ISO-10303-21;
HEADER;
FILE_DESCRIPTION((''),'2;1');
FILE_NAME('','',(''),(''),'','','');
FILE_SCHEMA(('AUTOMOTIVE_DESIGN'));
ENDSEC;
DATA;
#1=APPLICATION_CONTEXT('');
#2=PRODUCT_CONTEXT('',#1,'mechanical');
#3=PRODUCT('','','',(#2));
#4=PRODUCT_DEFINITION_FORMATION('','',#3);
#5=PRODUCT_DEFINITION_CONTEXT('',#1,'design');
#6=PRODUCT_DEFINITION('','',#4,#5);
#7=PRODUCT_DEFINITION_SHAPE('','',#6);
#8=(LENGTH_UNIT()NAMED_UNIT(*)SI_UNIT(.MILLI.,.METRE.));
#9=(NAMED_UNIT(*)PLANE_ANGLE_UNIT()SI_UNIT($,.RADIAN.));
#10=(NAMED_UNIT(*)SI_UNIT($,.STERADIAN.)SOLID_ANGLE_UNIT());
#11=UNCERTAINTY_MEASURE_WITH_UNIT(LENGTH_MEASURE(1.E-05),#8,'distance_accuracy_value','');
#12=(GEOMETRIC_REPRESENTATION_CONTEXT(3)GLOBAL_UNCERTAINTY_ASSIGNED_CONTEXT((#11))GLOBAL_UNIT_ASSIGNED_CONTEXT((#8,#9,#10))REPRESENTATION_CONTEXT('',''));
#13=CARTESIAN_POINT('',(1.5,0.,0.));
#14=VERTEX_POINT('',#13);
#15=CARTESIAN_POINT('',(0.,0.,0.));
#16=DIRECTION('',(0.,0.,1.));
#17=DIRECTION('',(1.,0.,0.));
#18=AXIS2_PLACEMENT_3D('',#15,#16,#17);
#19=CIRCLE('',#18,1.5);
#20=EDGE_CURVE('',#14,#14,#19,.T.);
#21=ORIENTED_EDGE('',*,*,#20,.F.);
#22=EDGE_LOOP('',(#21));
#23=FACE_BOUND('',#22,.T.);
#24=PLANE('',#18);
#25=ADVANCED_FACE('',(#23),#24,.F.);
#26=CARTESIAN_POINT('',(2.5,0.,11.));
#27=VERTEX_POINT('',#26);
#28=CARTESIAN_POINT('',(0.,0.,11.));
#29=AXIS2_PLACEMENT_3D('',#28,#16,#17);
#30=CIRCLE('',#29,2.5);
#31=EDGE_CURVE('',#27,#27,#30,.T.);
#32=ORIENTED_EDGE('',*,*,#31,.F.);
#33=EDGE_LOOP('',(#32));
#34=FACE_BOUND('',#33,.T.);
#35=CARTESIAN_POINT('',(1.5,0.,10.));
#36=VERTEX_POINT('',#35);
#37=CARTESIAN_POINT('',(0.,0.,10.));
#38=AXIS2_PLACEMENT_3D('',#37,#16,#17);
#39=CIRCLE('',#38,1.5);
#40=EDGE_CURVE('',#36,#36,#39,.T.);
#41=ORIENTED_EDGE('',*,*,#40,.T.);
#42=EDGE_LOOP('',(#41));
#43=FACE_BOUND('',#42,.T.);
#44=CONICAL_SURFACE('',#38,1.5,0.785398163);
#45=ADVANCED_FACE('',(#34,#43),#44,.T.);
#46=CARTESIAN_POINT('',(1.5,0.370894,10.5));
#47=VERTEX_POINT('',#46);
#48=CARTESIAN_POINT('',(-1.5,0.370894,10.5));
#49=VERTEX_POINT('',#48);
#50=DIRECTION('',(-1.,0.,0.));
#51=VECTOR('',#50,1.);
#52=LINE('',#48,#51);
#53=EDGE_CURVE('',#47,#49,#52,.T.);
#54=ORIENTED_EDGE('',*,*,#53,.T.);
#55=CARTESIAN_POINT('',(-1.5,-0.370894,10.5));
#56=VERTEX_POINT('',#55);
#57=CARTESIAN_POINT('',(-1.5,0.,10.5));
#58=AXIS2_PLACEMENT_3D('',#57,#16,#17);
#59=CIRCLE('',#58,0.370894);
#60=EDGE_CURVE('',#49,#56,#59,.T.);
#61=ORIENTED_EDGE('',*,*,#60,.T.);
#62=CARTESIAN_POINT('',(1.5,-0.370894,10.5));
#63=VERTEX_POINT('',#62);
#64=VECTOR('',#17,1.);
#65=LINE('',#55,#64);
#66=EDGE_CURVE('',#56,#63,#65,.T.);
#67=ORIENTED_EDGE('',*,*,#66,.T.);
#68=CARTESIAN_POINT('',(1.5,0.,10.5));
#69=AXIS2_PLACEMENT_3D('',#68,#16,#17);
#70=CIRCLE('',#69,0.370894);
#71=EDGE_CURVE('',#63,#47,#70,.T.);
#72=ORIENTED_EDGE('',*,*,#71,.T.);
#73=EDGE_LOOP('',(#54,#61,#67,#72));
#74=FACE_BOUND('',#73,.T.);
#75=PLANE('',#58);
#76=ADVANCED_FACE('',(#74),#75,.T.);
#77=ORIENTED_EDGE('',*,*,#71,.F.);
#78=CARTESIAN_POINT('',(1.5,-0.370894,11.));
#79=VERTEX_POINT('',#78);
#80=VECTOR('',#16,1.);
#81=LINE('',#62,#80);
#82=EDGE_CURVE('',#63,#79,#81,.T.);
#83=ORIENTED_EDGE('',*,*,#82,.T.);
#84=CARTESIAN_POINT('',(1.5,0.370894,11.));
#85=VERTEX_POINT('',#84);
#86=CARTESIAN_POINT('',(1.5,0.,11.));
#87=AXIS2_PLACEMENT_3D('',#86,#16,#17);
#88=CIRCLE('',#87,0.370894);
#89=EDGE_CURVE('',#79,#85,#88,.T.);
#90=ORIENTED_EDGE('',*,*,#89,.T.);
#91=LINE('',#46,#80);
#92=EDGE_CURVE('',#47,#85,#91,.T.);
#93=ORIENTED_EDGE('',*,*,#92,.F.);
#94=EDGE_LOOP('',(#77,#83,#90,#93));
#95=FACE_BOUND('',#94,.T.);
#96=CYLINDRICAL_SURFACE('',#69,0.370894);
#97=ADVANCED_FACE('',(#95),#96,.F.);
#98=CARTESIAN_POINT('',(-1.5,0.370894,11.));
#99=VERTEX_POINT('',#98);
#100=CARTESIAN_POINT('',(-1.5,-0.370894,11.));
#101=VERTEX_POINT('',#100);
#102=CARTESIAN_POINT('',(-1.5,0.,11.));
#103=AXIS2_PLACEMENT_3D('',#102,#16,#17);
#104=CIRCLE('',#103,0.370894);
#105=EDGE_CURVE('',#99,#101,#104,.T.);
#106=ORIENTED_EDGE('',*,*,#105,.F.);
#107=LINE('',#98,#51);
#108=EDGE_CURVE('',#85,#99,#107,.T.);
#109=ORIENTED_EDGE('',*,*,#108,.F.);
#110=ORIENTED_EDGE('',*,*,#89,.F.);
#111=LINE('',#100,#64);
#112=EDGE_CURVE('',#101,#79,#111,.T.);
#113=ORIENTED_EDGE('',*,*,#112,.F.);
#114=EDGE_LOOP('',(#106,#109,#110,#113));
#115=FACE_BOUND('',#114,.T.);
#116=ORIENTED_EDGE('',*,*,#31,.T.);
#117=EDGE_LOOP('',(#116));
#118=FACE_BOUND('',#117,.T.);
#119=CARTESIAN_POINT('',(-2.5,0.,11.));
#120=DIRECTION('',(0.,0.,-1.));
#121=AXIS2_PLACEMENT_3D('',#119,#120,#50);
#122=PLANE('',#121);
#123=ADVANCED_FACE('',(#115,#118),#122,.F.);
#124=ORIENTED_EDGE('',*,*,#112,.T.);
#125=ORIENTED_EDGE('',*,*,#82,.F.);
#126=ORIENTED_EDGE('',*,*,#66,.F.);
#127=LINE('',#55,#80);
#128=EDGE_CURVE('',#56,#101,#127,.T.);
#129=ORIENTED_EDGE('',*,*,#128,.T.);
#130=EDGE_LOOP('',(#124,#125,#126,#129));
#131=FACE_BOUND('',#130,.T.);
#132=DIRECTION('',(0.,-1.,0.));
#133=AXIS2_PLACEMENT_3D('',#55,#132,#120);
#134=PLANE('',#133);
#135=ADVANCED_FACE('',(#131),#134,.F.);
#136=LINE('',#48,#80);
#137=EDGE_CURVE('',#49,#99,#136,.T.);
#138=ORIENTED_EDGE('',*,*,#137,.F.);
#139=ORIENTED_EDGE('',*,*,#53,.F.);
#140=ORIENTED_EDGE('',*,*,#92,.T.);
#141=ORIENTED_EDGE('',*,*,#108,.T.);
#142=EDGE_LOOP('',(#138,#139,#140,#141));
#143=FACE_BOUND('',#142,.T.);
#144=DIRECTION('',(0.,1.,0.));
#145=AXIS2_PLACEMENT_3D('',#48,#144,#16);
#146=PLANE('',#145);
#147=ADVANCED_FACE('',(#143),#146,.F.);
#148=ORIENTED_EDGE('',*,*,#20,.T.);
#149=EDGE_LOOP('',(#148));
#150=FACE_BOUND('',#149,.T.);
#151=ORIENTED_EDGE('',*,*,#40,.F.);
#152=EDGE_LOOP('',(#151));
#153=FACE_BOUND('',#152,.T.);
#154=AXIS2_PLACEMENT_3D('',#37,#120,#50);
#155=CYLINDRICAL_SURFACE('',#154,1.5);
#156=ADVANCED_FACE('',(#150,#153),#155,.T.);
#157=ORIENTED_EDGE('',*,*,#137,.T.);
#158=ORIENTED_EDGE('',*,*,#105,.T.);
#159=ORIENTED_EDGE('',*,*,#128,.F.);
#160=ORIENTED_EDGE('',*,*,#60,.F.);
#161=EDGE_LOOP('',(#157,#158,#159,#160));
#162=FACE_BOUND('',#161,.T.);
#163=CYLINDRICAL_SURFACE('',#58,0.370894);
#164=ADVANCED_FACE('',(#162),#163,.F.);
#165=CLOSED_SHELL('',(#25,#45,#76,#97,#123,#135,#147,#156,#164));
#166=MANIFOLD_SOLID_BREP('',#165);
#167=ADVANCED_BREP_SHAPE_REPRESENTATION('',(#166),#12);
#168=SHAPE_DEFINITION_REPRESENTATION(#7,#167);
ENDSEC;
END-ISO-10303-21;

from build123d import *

# Parameters (mm, degrees)
SKETCH1_R           = 1.5
BOSS_EXTRUDE1_DEPTH = 10
CUT_EXTRUDE1_DEPTH  = 0.5


with BuildPart() as part:
    # Sketch1 → Boss-Extrude1 (new body)
    with BuildSketch(Plane.XY):
        Circle(SKETCH1_R)
    extrude(amount=BOSS_EXTRUDE1_DEPTH)

    # Sketch3 → Revolve1 (revolve)
    with BuildSketch(Plane(origin=(0, 0, 0), x_dir=(1, 0, 0), z_dir=(0, 1, 0)), mode=Mode.PRIVATE) as revolve1_sk:
        Polygon((-1.5, -10), (-2.5, -11), (0, -11), (0, -10), align=None)
    revolve(revolve1_sk.sketch.rotate(Axis((0, 0, 11), (0, 0, -1)), 180), axis=Axis((0, 0, 11), (0, 0, -1)))

    # Sketch4 → Cut-Extrude1 (cut)
    with BuildSketch(Plane.XY.offset(11)):
        with BuildLine():
            Line((-1.5, 0.37089394), (1.5, 0.37089394))
            ThreePointArc((1.5, 0.37089394), (1.87089394, 0), (1.5, -0.37089394))
            Line((1.5, -0.37089394), (-1.5, -0.37089394))
            ThreePointArc((-1.5, -0.37089394), (-1.87089394, 0), (-1.5, 0.37089394))
        make_face()
    extrude(amount=-CUT_EXTRUDE1_DEPTH, mode=Mode.SUBTRACT)


solid = part.part
